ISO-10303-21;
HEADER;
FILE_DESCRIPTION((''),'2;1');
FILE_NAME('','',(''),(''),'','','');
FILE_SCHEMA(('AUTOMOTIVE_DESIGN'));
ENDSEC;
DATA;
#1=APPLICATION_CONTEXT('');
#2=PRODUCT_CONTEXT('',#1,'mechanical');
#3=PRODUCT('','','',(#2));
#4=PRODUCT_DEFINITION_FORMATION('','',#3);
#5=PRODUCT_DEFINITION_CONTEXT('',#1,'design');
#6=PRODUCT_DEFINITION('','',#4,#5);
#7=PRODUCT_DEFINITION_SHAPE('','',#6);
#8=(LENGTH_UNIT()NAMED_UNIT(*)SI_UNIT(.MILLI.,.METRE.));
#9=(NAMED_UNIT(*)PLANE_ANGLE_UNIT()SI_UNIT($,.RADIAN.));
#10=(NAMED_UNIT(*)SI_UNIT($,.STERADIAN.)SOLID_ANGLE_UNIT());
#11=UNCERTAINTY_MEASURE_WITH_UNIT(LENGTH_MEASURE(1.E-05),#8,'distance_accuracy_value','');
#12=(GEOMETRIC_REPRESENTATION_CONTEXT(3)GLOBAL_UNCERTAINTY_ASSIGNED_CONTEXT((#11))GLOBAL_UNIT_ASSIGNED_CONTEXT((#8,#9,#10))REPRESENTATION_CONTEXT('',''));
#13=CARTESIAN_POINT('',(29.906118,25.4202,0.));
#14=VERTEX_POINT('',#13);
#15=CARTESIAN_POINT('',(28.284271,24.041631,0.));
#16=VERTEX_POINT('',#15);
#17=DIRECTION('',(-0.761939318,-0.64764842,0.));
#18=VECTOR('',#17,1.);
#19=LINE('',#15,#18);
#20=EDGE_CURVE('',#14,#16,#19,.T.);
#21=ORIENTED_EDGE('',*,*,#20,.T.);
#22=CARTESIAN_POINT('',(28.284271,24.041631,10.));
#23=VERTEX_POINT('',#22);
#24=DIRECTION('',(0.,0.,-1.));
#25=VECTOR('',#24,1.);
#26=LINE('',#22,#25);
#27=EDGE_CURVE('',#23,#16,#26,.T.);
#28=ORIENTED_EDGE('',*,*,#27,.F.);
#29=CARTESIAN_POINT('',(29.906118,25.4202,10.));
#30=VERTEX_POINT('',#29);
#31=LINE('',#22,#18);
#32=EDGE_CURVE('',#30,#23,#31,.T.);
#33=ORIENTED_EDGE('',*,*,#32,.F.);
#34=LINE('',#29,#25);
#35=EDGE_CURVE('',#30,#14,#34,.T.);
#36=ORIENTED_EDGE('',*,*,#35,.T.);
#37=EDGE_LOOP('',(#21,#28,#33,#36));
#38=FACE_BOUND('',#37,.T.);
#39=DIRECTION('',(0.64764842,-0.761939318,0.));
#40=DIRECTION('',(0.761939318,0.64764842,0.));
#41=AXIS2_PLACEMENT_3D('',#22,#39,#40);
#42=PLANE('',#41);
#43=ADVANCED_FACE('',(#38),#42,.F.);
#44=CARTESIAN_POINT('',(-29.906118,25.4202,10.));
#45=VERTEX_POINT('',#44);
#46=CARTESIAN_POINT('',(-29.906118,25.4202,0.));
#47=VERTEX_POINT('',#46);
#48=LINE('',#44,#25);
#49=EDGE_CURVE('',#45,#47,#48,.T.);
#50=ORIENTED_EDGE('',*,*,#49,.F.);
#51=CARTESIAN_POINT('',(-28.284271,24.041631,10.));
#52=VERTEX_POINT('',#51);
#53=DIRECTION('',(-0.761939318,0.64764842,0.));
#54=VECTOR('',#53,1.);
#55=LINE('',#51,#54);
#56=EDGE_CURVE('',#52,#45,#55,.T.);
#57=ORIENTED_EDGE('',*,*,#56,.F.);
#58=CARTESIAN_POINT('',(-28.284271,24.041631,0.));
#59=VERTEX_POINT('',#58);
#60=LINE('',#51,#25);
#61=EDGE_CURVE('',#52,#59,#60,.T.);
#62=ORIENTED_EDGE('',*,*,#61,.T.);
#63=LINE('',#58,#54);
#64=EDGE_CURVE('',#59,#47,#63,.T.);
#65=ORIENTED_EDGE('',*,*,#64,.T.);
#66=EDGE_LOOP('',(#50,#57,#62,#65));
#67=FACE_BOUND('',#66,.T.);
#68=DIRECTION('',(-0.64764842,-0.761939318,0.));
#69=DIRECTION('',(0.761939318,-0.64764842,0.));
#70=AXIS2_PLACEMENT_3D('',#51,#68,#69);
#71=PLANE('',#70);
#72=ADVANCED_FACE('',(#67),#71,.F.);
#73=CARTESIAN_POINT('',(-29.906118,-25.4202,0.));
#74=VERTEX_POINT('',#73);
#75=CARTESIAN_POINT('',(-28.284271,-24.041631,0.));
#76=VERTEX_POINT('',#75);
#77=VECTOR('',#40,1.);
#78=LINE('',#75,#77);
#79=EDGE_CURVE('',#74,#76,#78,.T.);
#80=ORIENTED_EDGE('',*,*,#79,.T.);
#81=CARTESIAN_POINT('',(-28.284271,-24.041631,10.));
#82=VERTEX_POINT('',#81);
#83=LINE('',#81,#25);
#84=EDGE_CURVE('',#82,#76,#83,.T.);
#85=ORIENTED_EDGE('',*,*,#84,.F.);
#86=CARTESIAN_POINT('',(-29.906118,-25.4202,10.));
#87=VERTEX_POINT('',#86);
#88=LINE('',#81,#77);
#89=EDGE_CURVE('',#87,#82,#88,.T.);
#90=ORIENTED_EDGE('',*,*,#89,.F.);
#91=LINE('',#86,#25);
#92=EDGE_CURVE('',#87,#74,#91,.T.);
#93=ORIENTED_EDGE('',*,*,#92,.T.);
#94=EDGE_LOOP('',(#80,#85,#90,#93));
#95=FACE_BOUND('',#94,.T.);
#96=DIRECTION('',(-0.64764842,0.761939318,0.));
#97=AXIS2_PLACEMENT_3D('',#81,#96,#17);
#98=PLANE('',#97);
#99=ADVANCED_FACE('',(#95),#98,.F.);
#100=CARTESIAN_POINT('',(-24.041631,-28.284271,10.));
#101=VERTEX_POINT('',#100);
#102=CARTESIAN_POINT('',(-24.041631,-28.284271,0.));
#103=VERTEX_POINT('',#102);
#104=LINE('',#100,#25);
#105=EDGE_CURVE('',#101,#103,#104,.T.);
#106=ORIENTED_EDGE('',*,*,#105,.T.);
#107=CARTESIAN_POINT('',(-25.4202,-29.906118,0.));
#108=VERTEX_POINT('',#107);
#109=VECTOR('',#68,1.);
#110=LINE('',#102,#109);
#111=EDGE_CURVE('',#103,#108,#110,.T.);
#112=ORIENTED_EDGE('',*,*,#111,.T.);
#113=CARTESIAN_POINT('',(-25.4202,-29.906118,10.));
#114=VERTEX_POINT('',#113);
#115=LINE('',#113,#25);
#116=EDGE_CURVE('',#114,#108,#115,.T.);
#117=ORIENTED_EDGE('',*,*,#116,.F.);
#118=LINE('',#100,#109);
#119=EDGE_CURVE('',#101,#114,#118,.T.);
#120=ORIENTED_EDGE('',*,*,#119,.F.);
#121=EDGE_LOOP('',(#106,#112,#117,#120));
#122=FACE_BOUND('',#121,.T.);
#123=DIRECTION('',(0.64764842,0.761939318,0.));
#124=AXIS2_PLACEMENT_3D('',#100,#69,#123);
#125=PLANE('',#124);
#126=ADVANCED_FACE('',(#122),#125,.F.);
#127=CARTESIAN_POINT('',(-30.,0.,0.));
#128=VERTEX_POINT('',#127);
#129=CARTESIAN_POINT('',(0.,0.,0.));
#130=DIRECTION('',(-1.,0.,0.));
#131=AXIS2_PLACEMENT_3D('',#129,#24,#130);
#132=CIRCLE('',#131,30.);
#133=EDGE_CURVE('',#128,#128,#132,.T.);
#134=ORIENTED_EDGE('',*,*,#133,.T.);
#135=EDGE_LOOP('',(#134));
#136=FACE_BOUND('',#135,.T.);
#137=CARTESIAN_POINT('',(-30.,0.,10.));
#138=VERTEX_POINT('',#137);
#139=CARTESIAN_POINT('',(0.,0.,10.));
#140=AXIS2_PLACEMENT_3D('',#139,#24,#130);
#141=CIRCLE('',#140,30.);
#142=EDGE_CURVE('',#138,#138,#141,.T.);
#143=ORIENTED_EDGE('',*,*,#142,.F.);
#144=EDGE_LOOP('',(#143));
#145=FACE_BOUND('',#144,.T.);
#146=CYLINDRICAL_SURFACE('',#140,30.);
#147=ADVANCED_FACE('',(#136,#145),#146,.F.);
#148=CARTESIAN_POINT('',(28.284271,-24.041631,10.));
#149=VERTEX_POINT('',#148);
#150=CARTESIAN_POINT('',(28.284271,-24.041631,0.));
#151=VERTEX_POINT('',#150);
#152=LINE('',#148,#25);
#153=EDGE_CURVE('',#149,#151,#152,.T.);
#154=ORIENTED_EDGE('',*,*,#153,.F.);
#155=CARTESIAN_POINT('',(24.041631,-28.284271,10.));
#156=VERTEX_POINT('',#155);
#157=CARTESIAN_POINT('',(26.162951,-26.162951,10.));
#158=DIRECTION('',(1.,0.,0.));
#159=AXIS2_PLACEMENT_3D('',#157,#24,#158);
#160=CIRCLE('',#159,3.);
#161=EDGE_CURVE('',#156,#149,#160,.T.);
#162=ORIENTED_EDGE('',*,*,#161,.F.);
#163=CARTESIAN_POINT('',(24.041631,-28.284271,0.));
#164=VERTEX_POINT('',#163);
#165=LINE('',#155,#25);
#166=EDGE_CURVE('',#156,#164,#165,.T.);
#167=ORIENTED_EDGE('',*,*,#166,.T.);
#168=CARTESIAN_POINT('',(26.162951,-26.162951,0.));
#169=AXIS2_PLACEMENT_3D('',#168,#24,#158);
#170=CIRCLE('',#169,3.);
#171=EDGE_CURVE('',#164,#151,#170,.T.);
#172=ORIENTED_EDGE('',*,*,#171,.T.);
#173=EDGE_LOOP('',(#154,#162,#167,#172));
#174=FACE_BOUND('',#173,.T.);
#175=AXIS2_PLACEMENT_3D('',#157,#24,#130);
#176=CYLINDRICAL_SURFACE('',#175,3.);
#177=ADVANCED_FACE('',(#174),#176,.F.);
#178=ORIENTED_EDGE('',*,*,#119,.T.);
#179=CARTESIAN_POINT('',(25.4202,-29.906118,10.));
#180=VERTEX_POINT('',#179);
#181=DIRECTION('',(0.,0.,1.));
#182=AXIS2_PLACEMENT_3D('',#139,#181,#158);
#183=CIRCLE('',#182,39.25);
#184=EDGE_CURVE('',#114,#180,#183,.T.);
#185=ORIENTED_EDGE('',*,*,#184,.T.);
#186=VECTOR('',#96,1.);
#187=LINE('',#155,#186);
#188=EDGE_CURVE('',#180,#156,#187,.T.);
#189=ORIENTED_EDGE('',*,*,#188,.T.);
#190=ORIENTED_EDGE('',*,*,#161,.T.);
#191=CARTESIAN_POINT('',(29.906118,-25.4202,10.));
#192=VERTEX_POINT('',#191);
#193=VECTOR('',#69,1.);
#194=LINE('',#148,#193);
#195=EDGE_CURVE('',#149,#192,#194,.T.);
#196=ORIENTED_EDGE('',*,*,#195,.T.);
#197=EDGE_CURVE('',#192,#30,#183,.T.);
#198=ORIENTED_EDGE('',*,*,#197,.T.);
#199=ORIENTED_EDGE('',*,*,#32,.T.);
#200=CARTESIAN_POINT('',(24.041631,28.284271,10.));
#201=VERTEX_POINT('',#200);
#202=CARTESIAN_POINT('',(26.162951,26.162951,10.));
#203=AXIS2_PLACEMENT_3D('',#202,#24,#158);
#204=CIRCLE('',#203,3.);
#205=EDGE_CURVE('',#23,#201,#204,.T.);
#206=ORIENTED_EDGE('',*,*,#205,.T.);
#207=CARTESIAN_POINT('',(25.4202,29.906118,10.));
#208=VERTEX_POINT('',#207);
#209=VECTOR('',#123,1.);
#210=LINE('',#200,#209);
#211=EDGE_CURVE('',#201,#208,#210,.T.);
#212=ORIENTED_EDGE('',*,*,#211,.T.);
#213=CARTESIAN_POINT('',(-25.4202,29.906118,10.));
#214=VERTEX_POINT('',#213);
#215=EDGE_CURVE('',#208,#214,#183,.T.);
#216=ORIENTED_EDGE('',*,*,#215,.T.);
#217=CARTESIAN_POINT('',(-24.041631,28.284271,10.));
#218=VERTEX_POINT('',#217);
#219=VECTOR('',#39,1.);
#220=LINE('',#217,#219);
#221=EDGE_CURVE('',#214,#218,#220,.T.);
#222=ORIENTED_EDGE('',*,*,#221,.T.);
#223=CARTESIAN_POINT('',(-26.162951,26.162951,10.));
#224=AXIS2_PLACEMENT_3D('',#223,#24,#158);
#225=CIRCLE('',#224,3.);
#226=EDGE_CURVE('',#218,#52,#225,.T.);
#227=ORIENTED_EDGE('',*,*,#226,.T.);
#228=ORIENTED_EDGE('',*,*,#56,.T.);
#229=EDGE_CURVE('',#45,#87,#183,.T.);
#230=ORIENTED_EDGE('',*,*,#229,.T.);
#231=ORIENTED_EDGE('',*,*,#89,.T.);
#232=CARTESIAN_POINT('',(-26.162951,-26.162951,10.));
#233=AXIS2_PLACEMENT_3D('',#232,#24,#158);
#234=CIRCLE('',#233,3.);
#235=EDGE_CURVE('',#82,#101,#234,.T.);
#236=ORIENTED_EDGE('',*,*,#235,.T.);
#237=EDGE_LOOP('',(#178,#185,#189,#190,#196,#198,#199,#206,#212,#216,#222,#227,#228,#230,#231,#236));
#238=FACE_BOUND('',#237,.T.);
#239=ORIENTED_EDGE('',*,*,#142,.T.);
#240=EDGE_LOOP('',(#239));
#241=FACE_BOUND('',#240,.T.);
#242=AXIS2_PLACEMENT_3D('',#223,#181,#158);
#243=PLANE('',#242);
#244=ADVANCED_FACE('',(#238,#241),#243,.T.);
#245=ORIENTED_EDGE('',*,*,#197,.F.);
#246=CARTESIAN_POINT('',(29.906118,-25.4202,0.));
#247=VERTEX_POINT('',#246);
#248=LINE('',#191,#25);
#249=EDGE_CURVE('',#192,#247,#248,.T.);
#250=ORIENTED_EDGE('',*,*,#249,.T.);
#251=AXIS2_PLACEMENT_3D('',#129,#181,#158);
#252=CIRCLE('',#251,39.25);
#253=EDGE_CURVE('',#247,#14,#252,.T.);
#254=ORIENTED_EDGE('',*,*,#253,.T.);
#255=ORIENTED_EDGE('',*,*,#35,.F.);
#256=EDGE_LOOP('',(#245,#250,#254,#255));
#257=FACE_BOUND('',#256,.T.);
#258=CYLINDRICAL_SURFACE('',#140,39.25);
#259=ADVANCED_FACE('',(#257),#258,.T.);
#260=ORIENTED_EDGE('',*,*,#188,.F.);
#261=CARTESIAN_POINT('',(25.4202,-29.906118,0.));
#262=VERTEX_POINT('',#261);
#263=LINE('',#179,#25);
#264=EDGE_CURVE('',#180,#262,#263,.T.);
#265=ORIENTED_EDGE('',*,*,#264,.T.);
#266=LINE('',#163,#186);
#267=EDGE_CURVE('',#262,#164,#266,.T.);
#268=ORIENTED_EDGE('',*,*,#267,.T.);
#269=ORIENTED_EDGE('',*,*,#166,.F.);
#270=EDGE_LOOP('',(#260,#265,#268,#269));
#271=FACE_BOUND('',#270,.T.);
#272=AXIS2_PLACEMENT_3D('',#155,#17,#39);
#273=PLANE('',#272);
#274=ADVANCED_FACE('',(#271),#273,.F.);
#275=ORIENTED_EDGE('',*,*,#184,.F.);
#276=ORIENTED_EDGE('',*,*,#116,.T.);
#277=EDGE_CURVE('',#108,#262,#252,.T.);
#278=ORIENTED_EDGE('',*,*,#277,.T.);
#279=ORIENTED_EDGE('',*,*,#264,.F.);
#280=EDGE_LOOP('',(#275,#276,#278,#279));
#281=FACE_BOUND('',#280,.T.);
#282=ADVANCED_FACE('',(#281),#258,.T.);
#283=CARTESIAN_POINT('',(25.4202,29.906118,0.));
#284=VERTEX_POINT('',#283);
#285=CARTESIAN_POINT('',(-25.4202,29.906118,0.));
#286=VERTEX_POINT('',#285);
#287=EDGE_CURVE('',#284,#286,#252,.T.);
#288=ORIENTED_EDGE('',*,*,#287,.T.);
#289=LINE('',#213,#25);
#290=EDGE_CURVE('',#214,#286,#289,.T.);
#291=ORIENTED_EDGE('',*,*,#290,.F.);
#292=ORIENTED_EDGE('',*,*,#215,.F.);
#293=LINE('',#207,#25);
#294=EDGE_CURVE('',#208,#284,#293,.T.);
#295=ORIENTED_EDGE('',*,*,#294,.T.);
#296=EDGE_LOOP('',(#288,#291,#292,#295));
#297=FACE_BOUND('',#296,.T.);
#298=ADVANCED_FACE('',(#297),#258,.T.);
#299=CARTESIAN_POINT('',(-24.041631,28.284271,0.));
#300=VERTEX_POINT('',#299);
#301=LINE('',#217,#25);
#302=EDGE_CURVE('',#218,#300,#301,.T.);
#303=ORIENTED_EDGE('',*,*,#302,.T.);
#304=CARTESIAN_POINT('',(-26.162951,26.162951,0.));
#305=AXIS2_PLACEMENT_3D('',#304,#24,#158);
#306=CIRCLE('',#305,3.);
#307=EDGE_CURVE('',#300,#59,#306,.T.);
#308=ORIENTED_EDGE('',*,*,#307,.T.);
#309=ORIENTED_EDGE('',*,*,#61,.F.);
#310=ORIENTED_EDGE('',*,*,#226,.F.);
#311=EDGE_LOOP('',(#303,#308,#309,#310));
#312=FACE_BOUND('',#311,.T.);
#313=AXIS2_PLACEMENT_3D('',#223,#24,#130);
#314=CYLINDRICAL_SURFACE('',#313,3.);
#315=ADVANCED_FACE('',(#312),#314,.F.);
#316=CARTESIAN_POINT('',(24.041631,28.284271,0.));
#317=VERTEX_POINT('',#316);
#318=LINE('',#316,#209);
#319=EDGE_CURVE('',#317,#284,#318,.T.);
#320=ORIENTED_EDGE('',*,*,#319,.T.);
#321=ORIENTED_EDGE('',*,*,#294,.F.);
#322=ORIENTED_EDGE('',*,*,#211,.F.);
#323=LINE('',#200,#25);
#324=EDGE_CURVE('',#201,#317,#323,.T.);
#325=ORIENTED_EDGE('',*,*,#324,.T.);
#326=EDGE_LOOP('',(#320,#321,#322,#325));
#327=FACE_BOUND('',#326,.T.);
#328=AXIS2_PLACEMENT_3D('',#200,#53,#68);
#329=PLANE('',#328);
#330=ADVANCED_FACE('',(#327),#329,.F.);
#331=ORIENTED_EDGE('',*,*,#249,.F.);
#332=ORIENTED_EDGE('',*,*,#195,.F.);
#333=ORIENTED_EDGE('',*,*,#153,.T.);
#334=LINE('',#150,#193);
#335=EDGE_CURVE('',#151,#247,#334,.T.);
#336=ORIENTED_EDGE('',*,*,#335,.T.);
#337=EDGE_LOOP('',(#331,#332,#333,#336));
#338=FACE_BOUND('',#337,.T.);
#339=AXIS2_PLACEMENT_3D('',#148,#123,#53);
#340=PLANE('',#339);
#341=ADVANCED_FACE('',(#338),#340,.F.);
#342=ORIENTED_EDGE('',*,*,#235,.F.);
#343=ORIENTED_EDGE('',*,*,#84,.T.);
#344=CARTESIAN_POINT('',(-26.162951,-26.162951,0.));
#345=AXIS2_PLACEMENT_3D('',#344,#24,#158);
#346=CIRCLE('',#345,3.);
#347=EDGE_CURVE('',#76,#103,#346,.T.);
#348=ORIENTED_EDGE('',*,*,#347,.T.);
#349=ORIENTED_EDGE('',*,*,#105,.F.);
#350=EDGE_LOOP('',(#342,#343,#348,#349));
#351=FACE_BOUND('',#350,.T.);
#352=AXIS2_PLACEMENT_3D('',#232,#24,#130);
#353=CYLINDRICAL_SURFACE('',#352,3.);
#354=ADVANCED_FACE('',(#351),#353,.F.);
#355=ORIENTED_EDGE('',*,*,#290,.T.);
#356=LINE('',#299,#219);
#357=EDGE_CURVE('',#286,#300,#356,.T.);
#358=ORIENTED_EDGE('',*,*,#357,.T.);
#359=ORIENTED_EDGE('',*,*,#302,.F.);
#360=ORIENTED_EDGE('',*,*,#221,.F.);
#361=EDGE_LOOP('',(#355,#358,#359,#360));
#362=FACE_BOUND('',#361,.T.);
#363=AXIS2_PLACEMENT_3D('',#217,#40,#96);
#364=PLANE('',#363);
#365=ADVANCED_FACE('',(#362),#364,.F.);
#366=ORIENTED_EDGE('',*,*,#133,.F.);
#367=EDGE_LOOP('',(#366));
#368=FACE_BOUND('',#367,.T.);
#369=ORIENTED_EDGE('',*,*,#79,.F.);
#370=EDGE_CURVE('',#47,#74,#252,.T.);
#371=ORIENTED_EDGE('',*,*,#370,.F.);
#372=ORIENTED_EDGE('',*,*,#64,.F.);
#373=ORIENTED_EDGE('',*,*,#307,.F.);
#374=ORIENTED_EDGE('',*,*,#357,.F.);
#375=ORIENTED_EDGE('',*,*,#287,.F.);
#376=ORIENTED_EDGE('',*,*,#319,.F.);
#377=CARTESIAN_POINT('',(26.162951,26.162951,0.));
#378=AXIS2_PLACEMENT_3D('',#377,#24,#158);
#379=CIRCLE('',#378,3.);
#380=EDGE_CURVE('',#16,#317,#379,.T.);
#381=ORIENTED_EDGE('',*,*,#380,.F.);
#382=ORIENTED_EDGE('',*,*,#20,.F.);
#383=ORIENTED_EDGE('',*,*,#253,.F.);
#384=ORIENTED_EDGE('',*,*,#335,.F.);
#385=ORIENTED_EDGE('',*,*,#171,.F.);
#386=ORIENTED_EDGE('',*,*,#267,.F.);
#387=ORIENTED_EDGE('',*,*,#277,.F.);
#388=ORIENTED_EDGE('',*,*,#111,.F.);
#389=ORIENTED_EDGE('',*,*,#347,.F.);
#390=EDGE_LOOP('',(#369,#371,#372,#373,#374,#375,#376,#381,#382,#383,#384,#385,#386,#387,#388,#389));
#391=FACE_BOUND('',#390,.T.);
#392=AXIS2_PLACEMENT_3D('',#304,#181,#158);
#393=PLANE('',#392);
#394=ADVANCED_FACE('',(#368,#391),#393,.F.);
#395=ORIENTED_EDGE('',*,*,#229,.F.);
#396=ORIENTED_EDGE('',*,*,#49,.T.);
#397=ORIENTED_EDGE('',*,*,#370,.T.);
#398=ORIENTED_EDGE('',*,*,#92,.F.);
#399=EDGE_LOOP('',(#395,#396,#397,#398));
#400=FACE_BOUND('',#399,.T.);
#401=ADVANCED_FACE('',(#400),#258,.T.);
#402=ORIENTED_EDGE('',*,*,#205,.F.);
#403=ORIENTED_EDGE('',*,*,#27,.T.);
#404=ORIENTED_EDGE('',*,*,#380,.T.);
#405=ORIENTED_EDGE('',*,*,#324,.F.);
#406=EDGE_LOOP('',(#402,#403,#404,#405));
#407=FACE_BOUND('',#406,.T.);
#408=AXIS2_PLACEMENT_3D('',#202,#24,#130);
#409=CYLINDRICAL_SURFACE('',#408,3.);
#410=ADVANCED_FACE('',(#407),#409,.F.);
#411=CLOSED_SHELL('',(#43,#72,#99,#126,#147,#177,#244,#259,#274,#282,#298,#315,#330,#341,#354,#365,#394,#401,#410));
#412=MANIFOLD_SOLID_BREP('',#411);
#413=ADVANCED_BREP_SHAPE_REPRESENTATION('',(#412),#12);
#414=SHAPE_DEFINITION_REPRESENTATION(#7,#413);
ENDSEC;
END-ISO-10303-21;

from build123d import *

# Parameters (mm, degrees)
EXTRUDE_1_DEPTH     = 10
SKETCH_2_R          = 30
CUT_EXTRUDE_1_DEPTH = 10


with BuildPart() as part:
    # 草图1 → 凸台-拉伸1 (new body)
    with BuildSketch(Plane.XY):
        with BuildLine():
            Line((-24.04163056, 28.284271247), (-25.420200489, 29.906118222))
            ThreePointArc((-25.420200489, 29.906118222), (0, 39.25), (25.420200489, 29.906118222))
            Line((25.420200489, 29.906118222), (24.04163056, 28.284271247))
            ThreePointArc((24.04163056, 28.284271247), (24.04163056, 24.04163056), (28.284271247, 24.04163056))
            Line((28.284271247, 24.04163056), (29.906118222, 25.420200489))
            ThreePointArc((29.906118222, 25.420200489), (39.25, 0), (29.906118222, -25.420200489))
            Line((29.906118222, -25.420200489), (28.284271247, -24.04163056))
            ThreePointArc((28.284271247, -24.04163056), (24.04163056, -24.04163056), (24.04163056, -28.284271247))
            Line((24.04163056, -28.284271247), (25.420200489, -29.906118222))
            ThreePointArc((25.420200489, -29.906118222), (0, -39.25), (-25.420200489, -29.906118222))
            Line((-25.420200489, -29.906118222), (-24.04163056, -28.284271247))
            ThreePointArc((-24.04163056, -28.284271247), (-24.04163056, -24.04163056), (-28.284271247, -24.04163056))
            Line((-28.284271247, -24.04163056), (-29.906118222, -25.420200489))
            ThreePointArc((-29.906118222, -25.420200489), (-39.25, 0), (-29.906118222, 25.420200489))
            Line((-29.906118222, 25.420200489), (-28.284271247, 24.04163056))
            ThreePointArc((-28.284271247, 24.04163056), (-24.04163056, 24.04163056), (-24.04163056, 28.284271247))
        make_face()
    extrude(amount=EXTRUDE_1_DEPTH)

    # 草图2 → 切除-拉伸1 (cut)
    with BuildSketch(Plane(origin=(0, 0, 0), x_dir=(-1, 0, 0), z_dir=(0, 0, -1))):
        Circle(SKETCH_2_R)
    extrude(amount=-CUT_EXTRUDE_1_DEPTH, mode=Mode.SUBTRACT)


solid = part.part
